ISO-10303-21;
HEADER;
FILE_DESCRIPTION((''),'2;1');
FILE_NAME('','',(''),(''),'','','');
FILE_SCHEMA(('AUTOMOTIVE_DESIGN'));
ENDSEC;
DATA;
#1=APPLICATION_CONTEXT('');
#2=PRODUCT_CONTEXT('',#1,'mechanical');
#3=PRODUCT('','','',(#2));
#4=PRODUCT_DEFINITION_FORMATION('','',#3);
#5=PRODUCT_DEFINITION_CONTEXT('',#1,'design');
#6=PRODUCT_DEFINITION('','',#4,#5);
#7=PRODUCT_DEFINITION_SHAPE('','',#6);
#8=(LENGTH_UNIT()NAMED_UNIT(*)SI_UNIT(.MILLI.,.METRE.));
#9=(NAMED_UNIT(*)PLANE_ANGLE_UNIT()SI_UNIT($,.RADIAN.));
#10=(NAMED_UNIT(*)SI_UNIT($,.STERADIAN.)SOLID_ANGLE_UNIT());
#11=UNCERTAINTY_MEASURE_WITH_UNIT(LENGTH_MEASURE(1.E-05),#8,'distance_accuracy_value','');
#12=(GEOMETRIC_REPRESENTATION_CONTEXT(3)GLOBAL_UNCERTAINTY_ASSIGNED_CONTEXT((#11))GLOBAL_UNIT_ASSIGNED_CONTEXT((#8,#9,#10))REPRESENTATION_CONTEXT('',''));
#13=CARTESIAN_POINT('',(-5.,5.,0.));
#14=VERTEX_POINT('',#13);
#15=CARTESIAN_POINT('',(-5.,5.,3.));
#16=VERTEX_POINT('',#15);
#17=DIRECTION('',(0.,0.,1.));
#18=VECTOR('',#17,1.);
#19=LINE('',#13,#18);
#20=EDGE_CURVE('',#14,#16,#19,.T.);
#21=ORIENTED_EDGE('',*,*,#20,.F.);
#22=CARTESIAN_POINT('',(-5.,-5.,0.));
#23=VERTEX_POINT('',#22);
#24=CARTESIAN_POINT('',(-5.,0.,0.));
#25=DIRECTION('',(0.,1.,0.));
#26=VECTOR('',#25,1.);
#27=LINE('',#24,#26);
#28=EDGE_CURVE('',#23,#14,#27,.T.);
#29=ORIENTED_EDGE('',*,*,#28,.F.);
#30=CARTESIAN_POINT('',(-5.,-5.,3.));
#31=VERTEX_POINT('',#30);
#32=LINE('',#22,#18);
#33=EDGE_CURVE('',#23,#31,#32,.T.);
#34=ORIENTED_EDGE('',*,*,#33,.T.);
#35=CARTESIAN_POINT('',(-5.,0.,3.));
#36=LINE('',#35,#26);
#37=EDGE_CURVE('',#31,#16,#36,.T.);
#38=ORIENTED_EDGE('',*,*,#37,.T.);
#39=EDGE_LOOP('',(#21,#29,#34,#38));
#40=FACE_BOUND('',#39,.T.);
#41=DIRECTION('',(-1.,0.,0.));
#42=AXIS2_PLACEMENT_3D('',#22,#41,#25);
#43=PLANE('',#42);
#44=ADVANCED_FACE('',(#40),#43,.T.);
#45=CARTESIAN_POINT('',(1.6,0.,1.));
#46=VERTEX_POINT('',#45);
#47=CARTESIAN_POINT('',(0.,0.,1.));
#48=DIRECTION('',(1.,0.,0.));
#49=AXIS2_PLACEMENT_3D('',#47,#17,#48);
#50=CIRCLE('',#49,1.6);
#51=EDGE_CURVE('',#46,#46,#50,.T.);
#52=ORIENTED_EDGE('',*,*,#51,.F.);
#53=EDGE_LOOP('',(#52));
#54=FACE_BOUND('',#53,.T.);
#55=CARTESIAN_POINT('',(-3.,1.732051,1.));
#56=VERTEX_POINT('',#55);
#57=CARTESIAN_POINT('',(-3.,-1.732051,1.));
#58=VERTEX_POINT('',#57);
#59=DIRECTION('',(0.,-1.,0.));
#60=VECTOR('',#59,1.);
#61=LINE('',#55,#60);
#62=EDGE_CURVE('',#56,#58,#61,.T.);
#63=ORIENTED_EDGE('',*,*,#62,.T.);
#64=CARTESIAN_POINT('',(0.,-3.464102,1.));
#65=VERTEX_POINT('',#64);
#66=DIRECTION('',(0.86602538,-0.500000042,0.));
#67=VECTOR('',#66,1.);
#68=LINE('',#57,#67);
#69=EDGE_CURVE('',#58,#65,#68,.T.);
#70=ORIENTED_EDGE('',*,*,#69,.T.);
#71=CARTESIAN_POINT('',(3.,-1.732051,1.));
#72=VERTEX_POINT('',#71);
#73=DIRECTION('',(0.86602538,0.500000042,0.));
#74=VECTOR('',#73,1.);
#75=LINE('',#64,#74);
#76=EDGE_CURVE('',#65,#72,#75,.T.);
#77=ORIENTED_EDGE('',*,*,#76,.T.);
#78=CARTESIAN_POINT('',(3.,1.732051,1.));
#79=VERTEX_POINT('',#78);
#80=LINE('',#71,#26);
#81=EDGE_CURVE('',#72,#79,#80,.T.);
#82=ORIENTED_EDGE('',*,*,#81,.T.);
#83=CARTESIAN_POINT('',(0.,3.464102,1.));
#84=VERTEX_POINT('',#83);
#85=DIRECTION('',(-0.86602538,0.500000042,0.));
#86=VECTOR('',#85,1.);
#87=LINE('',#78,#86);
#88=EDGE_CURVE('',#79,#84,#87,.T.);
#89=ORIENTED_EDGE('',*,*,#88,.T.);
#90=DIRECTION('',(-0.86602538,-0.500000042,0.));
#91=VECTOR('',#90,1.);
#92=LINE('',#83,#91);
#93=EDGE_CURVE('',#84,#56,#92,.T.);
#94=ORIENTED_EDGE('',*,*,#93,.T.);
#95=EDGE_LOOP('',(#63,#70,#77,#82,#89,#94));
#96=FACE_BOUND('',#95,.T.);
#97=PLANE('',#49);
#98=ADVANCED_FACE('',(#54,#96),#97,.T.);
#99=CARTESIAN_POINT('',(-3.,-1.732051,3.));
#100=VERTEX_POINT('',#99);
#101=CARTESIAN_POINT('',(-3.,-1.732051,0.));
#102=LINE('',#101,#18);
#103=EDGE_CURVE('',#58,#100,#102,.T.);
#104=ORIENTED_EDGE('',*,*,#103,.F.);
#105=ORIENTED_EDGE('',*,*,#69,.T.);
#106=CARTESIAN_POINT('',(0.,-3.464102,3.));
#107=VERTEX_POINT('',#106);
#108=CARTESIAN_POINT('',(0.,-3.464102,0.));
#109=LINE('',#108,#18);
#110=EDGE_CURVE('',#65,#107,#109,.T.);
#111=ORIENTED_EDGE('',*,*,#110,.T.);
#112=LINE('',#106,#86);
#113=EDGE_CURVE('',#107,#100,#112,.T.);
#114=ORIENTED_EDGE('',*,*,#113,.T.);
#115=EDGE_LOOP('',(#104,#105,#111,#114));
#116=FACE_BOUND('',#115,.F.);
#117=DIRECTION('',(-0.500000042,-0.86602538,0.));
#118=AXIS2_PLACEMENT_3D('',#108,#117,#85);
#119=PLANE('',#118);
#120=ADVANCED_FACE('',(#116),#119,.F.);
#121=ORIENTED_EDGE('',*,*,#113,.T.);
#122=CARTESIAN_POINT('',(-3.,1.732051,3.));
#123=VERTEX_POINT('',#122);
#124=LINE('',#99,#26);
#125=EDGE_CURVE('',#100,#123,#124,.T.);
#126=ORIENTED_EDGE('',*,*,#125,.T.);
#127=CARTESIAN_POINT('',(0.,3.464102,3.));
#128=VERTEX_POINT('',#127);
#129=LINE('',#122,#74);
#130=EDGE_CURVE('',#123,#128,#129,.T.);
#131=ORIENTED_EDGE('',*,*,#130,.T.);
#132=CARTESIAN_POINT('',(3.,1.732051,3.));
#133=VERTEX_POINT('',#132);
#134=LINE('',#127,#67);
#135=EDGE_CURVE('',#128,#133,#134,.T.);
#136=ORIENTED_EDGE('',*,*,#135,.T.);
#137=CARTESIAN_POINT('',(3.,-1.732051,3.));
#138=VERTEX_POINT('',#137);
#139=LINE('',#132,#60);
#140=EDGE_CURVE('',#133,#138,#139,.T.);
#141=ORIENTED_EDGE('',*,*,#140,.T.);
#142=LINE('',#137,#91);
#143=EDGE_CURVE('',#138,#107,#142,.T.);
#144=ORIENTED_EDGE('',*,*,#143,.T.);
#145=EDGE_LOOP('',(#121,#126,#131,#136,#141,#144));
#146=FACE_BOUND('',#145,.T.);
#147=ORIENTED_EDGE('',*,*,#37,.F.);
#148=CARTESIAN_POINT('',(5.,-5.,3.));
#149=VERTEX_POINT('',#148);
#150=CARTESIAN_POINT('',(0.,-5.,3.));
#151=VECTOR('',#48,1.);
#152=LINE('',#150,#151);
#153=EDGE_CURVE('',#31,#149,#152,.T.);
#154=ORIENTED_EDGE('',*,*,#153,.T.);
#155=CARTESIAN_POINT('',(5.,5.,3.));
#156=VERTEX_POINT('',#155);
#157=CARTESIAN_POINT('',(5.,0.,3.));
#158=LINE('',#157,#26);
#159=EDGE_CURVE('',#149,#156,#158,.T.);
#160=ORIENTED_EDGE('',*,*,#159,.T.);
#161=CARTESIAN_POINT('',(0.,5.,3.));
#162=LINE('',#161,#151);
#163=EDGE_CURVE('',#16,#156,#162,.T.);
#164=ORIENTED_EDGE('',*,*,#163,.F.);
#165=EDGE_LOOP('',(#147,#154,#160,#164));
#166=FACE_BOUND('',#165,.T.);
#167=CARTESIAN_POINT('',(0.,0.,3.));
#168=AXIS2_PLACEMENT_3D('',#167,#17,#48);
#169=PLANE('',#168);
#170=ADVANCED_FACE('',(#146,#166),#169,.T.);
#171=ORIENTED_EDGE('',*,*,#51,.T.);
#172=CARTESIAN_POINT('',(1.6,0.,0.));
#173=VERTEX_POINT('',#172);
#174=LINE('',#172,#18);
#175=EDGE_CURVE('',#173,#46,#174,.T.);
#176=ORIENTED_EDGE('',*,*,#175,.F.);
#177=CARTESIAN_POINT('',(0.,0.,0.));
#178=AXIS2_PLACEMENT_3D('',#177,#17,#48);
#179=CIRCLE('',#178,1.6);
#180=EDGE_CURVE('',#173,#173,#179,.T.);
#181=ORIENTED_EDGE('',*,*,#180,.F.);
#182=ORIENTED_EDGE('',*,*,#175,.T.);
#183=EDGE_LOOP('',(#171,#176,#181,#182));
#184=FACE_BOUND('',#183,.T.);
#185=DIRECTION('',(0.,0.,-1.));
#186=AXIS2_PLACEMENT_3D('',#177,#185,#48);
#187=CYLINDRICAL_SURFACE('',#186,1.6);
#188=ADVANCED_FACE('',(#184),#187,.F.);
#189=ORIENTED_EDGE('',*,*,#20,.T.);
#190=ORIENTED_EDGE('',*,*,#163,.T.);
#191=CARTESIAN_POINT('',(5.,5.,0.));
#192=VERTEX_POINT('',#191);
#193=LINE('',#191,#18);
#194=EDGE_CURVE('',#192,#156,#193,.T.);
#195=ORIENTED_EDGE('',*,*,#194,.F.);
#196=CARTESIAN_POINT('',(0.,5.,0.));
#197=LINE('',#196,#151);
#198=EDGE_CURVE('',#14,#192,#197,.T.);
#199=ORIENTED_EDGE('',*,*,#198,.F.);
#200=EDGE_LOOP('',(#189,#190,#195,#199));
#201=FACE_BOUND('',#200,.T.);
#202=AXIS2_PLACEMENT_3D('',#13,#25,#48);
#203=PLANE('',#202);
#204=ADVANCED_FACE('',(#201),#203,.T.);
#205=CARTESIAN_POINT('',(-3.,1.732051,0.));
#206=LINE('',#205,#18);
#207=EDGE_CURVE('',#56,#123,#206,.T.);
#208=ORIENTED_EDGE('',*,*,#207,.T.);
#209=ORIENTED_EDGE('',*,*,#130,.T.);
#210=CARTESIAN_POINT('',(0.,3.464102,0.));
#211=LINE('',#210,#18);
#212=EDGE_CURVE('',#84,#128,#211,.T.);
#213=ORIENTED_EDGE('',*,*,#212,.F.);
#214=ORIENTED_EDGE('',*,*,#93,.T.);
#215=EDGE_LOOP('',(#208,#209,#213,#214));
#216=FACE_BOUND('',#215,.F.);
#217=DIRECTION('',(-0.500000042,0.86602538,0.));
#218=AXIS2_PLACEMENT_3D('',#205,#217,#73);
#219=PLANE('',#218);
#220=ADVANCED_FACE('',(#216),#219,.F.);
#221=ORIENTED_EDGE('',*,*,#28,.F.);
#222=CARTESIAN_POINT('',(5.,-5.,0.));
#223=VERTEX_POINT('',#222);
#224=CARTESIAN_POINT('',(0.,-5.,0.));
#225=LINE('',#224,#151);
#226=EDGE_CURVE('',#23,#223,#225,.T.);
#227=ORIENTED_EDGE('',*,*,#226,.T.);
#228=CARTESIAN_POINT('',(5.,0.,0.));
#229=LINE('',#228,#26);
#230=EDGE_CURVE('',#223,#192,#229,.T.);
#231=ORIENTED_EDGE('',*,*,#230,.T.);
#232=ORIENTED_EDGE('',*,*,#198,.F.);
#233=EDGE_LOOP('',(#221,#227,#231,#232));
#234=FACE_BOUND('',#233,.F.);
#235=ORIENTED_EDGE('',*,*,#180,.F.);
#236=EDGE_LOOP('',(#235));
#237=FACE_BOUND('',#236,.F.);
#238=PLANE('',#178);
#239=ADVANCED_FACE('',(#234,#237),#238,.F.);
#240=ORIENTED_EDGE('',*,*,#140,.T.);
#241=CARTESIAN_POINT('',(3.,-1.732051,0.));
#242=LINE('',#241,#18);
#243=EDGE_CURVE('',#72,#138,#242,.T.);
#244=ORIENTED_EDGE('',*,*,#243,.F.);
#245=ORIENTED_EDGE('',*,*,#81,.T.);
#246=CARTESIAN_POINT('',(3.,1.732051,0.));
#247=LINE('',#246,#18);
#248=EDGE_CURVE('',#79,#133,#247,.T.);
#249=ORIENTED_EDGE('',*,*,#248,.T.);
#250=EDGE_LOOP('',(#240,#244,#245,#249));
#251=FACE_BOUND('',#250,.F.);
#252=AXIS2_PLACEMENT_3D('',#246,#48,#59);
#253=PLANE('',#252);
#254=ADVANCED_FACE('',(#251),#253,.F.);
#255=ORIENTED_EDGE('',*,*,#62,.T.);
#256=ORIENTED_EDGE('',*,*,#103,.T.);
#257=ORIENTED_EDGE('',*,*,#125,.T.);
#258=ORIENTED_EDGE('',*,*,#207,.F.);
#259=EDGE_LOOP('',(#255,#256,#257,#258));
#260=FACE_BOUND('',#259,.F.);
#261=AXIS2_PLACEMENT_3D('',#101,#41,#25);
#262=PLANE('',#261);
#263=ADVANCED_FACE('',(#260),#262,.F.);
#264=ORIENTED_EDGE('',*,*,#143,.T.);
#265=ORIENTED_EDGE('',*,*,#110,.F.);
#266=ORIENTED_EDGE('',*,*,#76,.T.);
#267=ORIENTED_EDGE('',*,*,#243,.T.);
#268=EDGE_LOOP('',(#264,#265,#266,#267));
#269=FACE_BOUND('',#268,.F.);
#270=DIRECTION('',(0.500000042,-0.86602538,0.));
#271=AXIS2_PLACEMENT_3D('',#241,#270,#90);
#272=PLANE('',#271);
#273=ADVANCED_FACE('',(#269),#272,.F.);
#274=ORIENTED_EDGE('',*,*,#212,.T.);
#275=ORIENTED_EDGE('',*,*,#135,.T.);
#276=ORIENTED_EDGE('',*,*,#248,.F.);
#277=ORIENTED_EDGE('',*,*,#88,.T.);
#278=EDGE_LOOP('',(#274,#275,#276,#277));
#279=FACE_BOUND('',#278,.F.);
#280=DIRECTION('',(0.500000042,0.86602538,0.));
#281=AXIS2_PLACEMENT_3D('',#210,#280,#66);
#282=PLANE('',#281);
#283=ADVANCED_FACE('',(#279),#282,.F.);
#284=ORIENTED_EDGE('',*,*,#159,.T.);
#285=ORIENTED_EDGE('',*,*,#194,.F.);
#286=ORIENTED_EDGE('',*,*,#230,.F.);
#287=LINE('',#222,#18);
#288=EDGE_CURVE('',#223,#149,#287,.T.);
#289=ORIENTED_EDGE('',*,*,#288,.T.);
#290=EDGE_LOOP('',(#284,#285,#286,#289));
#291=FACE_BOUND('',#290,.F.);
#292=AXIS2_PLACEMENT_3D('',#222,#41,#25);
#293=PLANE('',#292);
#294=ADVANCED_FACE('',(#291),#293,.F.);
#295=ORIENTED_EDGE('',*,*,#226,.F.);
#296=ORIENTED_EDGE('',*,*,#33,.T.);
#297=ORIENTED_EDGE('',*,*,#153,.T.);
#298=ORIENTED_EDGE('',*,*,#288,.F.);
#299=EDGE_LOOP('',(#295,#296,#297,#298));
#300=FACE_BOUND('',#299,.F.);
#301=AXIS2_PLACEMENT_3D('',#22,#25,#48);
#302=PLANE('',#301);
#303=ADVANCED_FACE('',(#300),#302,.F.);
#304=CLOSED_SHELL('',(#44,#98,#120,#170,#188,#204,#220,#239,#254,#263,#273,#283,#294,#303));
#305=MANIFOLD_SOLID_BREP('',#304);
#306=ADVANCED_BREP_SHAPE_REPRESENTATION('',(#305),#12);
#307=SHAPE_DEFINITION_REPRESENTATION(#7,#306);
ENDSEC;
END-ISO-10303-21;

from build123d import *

# Parameters (mm, degrees)
F0_W     = 10
F0_H     = 10
F1_DEPTH = 3
F0_R     = 1.6
F2_DEPTH = 1


with BuildPart() as f1:
    # F0 (on Top) → F1 (new body)
    with BuildSketch(Plane.XY):
        Rectangle(F0_W, F0_H)
        Polygon((0, 3.464102), (3, 1.732051), (3, -1.732051), (0, -3.464102), (-3, -1.732051), (-3, 1.732051), align=None, mode=Mode.SUBTRACT)
    extrude(amount=F1_DEPTH)

    # F0 (on Top) → F2 (join)
    with BuildSketch(Plane.XY):
        Polygon((3, -1.732051), (3, 1.732051), (0, 3.464102), (-3, 1.732051), (-3, -1.732051), (0, -3.464102), align=None)
        Circle(F0_R, mode=Mode.SUBTRACT)
    extrude(amount=F2_DEPTH)


solid = f1.part
